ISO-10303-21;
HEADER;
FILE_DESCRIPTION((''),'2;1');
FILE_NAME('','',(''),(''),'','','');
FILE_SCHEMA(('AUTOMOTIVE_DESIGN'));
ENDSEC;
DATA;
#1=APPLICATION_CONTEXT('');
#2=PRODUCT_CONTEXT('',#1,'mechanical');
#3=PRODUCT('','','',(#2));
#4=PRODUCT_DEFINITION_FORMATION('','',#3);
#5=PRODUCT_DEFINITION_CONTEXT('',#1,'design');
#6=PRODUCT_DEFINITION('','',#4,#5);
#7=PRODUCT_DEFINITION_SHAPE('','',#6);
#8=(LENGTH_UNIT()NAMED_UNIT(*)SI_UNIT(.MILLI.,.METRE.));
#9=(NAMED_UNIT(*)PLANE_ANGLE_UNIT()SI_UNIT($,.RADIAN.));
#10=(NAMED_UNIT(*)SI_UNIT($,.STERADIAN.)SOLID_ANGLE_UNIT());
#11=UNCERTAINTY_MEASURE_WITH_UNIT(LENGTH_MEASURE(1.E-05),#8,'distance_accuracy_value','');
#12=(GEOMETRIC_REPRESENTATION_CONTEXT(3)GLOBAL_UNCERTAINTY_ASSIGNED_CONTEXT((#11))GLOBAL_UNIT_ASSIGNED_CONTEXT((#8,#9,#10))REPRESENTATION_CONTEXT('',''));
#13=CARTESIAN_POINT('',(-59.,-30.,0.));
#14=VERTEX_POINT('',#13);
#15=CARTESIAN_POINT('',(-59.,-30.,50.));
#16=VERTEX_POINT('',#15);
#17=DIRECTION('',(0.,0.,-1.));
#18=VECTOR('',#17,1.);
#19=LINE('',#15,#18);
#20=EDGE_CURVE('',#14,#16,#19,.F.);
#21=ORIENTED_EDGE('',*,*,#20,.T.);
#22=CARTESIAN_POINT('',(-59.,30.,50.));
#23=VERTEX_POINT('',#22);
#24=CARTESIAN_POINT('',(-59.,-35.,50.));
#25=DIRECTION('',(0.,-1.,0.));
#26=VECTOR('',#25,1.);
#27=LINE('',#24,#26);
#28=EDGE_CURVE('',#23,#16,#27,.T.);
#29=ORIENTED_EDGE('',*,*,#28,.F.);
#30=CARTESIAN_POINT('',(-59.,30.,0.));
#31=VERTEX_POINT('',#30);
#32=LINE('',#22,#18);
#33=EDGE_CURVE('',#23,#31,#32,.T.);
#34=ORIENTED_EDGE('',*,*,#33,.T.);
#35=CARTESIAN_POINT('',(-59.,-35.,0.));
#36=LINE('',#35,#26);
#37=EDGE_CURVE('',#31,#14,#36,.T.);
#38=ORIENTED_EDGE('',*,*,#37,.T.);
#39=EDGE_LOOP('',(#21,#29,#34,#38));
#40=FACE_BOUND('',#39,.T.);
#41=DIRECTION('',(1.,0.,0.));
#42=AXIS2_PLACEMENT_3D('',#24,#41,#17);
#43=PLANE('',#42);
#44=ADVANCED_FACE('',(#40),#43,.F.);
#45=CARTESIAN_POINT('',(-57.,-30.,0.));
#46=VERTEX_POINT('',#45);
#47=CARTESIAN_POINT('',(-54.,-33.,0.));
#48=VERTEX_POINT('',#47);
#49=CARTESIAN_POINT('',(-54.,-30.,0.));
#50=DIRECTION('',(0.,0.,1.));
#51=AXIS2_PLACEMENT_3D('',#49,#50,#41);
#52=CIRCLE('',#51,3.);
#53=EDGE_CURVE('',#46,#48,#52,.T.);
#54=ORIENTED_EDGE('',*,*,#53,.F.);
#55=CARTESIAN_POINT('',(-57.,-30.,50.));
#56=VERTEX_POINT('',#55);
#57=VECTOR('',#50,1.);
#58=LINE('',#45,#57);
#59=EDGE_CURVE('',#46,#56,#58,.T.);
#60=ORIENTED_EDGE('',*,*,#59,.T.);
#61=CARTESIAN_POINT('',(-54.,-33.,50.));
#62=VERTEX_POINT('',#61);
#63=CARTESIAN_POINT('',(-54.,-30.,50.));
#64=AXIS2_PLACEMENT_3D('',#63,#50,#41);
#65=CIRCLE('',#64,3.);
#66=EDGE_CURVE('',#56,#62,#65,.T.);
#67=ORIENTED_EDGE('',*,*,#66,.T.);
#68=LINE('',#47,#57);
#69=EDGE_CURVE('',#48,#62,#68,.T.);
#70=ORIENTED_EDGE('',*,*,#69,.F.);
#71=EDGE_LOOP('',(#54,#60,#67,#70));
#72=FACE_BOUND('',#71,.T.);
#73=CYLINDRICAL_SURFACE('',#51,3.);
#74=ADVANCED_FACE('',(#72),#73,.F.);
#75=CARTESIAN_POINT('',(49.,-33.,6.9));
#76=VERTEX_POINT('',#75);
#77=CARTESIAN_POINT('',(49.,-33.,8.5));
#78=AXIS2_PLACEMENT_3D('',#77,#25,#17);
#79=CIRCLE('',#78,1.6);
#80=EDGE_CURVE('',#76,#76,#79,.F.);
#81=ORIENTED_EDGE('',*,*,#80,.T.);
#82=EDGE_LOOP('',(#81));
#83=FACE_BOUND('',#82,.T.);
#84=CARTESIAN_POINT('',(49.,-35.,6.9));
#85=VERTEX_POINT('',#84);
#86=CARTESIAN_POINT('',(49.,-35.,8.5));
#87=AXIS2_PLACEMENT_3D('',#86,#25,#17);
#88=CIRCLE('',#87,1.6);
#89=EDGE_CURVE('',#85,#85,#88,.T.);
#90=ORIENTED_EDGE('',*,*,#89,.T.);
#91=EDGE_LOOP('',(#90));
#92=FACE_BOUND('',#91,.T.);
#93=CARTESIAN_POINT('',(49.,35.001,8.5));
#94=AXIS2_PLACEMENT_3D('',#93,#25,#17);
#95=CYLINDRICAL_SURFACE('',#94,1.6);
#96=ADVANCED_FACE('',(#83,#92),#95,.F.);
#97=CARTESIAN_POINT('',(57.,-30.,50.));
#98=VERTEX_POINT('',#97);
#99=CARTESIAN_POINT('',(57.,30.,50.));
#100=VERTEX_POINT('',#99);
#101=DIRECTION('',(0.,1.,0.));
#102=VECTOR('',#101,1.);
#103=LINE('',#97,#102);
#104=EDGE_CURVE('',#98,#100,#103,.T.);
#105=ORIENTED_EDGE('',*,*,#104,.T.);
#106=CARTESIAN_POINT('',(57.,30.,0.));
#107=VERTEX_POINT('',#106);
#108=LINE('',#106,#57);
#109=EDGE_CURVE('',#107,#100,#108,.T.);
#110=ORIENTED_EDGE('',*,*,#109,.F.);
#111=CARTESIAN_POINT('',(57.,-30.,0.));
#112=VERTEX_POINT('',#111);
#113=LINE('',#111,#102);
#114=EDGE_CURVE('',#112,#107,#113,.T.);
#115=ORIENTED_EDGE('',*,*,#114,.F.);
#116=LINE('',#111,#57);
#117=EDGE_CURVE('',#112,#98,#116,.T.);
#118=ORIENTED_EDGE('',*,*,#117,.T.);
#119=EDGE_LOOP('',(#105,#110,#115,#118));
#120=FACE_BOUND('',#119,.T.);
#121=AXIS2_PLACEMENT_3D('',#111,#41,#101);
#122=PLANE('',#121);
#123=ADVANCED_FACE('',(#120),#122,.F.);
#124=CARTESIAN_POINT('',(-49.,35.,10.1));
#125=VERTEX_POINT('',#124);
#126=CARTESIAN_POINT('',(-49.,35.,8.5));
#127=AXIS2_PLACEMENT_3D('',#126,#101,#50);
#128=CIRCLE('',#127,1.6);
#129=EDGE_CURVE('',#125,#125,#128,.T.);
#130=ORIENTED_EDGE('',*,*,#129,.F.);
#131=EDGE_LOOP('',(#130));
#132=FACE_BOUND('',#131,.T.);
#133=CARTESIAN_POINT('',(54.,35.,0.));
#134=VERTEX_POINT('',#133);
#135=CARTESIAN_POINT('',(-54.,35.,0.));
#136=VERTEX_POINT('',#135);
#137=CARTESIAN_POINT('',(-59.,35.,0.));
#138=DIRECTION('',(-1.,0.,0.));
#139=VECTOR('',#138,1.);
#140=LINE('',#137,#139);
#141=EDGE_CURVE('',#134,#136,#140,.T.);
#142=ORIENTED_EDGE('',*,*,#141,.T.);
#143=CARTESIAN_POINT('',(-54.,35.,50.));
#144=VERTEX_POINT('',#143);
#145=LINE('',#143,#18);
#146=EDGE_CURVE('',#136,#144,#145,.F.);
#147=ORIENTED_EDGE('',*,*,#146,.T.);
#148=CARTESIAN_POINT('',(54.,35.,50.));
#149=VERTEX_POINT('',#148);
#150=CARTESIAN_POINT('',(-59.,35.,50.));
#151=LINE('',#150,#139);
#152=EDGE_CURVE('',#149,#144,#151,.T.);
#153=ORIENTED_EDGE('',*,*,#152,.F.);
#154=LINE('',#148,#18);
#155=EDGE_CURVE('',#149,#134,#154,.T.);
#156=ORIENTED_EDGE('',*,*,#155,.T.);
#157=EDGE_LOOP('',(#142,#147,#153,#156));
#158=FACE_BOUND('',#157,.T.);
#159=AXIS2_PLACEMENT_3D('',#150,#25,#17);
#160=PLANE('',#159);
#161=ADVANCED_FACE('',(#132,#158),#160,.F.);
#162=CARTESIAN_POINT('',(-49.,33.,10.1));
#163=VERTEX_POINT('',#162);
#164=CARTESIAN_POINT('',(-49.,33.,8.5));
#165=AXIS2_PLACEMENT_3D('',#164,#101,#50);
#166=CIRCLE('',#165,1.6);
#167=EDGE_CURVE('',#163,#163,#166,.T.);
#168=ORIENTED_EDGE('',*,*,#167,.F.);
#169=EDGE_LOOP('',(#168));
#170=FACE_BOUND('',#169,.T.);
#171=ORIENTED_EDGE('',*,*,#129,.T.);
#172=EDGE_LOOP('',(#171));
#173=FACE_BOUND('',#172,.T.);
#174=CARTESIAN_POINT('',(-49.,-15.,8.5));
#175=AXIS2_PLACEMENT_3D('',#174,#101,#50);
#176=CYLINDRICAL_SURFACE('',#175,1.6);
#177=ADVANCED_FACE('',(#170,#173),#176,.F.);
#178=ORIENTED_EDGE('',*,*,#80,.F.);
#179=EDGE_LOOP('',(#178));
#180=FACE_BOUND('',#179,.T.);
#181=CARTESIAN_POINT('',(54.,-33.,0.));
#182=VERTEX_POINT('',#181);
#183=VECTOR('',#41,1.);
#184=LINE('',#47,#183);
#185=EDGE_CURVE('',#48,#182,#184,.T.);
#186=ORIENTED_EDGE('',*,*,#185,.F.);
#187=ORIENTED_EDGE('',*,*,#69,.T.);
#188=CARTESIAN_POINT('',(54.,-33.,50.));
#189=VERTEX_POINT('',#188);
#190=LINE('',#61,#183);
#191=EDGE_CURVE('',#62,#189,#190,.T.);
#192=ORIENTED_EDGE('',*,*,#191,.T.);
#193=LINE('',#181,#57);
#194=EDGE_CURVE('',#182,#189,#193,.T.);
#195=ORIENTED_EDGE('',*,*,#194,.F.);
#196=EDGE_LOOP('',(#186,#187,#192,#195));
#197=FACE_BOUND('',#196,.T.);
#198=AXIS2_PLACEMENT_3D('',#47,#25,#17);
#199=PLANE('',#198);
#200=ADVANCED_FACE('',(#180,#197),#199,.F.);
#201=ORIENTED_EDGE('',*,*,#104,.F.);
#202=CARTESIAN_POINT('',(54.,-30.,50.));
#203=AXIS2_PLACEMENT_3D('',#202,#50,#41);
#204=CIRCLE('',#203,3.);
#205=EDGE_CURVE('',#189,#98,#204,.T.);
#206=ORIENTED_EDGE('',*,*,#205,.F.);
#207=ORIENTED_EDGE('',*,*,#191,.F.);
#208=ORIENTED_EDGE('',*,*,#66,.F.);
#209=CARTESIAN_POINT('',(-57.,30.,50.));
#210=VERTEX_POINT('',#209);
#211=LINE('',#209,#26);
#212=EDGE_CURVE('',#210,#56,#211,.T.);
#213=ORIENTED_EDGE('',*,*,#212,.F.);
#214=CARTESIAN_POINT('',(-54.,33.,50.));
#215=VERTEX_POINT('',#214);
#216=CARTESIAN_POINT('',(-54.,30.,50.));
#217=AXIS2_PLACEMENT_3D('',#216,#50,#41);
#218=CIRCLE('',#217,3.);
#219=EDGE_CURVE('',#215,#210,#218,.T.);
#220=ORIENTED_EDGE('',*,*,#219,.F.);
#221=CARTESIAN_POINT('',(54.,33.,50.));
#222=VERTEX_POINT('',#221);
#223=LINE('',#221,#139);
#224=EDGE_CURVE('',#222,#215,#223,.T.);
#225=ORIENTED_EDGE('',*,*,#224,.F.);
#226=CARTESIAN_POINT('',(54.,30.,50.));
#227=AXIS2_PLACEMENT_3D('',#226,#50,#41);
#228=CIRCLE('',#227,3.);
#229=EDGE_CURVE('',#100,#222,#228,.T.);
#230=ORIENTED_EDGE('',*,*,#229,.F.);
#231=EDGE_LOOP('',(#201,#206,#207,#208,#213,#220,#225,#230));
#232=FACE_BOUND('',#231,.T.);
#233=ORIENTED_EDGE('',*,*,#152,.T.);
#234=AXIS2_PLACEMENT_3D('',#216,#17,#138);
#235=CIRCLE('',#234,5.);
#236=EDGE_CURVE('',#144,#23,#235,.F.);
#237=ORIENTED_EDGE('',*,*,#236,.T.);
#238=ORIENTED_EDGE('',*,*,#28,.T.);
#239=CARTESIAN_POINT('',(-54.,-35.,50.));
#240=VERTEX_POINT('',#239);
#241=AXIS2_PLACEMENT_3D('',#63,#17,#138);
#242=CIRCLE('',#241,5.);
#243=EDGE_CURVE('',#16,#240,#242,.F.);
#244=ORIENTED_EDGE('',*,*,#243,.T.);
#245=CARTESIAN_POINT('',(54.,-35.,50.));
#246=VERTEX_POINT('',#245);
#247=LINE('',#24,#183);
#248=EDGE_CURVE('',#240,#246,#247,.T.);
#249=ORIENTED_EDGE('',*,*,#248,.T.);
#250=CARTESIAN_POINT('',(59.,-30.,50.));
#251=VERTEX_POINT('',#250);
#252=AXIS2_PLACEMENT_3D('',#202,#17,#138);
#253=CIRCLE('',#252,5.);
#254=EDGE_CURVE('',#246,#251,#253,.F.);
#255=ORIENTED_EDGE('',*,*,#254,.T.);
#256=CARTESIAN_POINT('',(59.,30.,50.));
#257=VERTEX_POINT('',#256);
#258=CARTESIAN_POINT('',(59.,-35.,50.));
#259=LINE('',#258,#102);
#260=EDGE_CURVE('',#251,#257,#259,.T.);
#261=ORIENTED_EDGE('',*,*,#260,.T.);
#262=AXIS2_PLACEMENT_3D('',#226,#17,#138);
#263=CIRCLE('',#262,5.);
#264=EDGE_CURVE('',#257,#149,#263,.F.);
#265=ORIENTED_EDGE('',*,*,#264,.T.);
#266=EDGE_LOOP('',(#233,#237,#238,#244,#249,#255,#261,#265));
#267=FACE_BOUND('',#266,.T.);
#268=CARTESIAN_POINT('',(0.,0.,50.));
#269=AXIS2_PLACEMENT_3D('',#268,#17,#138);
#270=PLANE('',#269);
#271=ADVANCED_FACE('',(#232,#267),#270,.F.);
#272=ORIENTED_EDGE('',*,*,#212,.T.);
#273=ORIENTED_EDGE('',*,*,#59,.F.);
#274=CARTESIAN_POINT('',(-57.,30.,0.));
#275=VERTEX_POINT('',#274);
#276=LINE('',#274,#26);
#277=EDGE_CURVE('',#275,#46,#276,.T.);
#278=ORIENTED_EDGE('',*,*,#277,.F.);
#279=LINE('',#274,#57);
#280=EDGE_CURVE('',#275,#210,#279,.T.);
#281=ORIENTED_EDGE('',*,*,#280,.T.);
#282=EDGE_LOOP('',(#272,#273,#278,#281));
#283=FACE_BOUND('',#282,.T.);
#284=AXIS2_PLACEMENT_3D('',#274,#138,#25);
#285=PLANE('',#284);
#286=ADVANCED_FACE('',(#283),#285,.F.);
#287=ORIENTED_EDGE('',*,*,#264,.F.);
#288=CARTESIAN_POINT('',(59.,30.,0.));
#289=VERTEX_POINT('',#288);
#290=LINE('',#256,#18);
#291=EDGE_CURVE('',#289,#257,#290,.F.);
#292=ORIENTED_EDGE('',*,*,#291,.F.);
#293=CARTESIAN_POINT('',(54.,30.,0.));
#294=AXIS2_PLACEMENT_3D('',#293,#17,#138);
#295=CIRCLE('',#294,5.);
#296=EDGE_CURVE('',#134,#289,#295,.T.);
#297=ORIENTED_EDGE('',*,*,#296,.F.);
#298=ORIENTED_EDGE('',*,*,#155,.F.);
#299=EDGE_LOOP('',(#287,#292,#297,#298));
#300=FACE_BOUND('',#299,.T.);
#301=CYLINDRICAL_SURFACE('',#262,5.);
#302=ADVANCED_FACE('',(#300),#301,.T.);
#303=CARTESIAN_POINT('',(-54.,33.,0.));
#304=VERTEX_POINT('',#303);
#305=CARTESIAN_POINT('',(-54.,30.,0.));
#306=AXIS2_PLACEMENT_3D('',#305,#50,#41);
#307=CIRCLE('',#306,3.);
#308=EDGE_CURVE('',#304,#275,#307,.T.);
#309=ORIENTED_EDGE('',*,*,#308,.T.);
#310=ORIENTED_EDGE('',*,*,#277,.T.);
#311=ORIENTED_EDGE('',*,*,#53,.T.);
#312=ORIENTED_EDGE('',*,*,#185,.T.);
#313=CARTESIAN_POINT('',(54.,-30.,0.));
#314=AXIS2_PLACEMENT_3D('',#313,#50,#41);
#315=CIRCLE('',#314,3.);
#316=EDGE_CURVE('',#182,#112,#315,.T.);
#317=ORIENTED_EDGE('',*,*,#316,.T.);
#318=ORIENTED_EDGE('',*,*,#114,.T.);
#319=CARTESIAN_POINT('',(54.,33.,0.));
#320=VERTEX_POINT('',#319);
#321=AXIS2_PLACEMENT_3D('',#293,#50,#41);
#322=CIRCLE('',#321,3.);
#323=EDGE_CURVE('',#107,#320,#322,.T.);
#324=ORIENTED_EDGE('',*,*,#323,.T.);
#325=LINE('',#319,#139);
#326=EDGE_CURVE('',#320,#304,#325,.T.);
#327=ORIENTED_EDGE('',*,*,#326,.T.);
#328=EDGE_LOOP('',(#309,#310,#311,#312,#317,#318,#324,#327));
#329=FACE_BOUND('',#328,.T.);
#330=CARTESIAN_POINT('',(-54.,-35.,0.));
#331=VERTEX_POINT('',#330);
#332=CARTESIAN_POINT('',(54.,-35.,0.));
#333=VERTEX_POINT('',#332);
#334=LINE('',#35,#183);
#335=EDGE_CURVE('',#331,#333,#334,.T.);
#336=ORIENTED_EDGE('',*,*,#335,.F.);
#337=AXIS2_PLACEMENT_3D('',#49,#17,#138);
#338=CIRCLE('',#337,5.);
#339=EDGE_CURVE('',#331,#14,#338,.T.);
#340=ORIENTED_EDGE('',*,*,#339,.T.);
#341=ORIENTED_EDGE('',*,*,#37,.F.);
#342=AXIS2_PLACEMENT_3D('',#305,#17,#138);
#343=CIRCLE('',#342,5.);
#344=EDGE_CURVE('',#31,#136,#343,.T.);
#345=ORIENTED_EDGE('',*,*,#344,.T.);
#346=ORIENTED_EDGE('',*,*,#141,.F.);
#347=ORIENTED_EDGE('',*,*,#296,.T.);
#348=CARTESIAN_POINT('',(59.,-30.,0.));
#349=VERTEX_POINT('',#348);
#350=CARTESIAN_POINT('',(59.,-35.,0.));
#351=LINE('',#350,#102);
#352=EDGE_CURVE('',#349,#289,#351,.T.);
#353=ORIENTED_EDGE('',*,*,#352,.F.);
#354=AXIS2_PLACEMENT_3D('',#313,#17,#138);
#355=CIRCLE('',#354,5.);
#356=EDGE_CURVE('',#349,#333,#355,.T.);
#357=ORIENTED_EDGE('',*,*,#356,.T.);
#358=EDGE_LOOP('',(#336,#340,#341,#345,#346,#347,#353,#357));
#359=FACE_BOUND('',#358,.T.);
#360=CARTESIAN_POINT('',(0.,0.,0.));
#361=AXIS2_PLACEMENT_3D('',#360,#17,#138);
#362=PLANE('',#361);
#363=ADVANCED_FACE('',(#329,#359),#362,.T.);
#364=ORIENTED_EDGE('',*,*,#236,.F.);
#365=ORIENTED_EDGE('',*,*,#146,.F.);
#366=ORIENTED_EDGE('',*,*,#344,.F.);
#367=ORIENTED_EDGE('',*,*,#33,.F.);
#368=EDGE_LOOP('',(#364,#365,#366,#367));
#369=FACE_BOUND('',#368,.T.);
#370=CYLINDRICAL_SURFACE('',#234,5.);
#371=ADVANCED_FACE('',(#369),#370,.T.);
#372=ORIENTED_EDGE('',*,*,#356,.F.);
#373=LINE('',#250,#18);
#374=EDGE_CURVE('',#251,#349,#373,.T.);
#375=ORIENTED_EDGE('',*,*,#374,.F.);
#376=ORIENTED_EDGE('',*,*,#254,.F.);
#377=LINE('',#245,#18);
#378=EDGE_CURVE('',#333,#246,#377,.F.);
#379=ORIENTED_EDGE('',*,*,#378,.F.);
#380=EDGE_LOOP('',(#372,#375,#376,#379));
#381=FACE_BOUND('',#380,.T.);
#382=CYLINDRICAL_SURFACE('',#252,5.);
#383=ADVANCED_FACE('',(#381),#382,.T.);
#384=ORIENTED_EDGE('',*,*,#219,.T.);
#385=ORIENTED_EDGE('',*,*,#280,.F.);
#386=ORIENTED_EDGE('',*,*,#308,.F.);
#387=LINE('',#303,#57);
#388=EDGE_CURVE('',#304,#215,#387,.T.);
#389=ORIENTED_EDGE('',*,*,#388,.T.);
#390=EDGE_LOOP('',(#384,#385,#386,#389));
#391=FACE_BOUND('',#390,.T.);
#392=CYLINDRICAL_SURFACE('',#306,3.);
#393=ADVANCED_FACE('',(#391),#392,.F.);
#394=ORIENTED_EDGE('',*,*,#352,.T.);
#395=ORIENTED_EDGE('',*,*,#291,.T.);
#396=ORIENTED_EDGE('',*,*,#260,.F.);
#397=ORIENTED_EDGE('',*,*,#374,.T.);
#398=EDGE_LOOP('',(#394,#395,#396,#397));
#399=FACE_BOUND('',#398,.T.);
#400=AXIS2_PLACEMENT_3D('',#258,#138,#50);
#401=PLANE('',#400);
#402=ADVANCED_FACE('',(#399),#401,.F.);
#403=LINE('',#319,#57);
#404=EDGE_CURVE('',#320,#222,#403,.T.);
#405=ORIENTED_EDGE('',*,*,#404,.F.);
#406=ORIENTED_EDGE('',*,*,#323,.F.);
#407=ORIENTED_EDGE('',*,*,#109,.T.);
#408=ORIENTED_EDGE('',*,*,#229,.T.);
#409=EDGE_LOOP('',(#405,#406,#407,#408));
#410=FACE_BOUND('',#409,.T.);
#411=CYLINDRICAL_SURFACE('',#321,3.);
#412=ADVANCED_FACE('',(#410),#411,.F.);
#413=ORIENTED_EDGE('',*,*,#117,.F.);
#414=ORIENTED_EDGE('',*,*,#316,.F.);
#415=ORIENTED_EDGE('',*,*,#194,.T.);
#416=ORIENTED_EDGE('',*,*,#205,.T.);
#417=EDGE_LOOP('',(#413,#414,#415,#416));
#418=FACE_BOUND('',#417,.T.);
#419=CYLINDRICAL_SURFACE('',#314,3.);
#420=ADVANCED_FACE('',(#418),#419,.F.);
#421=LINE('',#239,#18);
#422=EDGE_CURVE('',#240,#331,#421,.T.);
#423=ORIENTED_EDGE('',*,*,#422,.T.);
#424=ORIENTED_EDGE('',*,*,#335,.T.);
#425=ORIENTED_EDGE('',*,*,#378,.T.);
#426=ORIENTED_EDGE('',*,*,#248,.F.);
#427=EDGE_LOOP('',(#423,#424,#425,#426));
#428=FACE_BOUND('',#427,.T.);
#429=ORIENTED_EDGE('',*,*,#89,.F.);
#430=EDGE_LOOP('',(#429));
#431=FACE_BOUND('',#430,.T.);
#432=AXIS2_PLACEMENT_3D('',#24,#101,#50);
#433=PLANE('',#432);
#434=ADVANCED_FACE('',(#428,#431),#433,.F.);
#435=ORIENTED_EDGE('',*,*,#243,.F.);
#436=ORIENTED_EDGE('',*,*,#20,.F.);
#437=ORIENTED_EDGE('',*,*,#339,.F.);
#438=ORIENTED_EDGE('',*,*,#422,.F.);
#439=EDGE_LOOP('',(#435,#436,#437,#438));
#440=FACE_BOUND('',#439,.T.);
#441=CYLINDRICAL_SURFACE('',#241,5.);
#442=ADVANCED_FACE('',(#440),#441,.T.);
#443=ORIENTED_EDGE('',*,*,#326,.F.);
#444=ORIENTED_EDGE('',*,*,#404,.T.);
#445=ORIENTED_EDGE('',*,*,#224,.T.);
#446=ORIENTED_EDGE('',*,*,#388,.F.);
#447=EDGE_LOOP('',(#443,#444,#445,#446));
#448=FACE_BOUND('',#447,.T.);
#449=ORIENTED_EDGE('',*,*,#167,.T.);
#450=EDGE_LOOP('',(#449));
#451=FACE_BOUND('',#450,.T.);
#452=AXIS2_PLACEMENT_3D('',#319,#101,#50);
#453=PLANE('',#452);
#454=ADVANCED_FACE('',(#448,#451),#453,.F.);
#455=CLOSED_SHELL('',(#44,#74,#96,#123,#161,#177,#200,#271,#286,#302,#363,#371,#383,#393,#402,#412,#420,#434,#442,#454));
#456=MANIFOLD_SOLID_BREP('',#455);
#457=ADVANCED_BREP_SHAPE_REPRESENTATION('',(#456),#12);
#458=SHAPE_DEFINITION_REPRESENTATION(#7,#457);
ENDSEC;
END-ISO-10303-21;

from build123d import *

# Parameters (mm, degrees)
SKETCH_1_W          = 118
SKETCH_1_H          = 70
EXTRUDE_1_DEPTH     = 50
FILLET_1_R          = 5
CUT_EXTRUDE_1_DEPTH = 85.888161719
CUT_EXTRUDE_2_REACH = 106.312
SKETCH_3_R          = 1.6
SKETCH_4_R          = 1.6
CUT_EXTRUDE_3_DEPTH = 50


with BuildPart() as part:
    # ｽｹｯﾁ1 → ﾎﾞｽ - 押し出し1 (new body)
    with BuildSketch(Plane.XY):
        Rectangle(SKETCH_1_W, SKETCH_1_H)
    extrude(amount=EXTRUDE_1_DEPTH)

    # ﾌｨﾚｯﾄ1
    fillet_1_edges = [part.edges().sort_by_distance(p)[0] for p in [
        (59, -35, 25),
        (-59, -35, 25),
        (-59, 35, 25),
        (59, 35, 25),
    ]]
    fillet(fillet_1_edges, radius=FILLET_1_R)

    # ｽｹｯﾁ2 → ｶｯﾄ - 押し出し1 (cut, through all)
    with BuildSketch(Plane.XY.offset(50)):
        with BuildLine():
            Line((-54, -33), (54, -33))
            ThreePointArc((54, -33), (56.121320344, -32.121320344), (57, -30))
            Line((57, -30), (57, 30))
            ThreePointArc((57, 30), (56.121320344, 32.121320344), (54, 33))
            Line((54, 33), (-54, 33))
            ThreePointArc((-54, 33), (-56.121320344, 32.121320344), (-57, 30))
            Line((-57, 30), (-57, -30))
            ThreePointArc((-57, -30), (-56.121320344, -32.121320344), (-54, -33))
        make_face()
    extrude(amount=-CUT_EXTRUDE_1_DEPTH, mode=Mode.SUBTRACT)

    # ｽｹｯﾁ3 → ｶｯﾄ - 押し出し2 (cut, up to next)
    with BuildSketch(Plane.XZ.offset(35), mode=Mode.PRIVATE) as cut_extrude_2_sk1:
        with Locations(Location((49, 8.5, 0), (0, 0, 270))):
            Circle(SKETCH_3_R)
    cut_extrude_2_tool1 = extrude(cut_extrude_2_sk1.sketch, amount=-CUT_EXTRUDE_2_REACH, mode=Mode.PRIVATE) & part.part
    add(cut_extrude_2_tool1.solids().sort_by_distance((49, -35, 8.5))[0], mode=Mode.SUBTRACT)

    # ｽｹｯﾁ4 → ｶｯﾄ - 押し出し3 (cut)
    with BuildSketch(Plane(origin=(0, 35, 0), x_dir=(1, 0, 0), z_dir=(0, 1, 0))):
        with Locations(Location((-49, -8.5, 0), (0, 0, 270))):
            Circle(SKETCH_4_R)
    extrude(amount=-CUT_EXTRUDE_3_DEPTH, mode=Mode.SUBTRACT)


solid = part.part
